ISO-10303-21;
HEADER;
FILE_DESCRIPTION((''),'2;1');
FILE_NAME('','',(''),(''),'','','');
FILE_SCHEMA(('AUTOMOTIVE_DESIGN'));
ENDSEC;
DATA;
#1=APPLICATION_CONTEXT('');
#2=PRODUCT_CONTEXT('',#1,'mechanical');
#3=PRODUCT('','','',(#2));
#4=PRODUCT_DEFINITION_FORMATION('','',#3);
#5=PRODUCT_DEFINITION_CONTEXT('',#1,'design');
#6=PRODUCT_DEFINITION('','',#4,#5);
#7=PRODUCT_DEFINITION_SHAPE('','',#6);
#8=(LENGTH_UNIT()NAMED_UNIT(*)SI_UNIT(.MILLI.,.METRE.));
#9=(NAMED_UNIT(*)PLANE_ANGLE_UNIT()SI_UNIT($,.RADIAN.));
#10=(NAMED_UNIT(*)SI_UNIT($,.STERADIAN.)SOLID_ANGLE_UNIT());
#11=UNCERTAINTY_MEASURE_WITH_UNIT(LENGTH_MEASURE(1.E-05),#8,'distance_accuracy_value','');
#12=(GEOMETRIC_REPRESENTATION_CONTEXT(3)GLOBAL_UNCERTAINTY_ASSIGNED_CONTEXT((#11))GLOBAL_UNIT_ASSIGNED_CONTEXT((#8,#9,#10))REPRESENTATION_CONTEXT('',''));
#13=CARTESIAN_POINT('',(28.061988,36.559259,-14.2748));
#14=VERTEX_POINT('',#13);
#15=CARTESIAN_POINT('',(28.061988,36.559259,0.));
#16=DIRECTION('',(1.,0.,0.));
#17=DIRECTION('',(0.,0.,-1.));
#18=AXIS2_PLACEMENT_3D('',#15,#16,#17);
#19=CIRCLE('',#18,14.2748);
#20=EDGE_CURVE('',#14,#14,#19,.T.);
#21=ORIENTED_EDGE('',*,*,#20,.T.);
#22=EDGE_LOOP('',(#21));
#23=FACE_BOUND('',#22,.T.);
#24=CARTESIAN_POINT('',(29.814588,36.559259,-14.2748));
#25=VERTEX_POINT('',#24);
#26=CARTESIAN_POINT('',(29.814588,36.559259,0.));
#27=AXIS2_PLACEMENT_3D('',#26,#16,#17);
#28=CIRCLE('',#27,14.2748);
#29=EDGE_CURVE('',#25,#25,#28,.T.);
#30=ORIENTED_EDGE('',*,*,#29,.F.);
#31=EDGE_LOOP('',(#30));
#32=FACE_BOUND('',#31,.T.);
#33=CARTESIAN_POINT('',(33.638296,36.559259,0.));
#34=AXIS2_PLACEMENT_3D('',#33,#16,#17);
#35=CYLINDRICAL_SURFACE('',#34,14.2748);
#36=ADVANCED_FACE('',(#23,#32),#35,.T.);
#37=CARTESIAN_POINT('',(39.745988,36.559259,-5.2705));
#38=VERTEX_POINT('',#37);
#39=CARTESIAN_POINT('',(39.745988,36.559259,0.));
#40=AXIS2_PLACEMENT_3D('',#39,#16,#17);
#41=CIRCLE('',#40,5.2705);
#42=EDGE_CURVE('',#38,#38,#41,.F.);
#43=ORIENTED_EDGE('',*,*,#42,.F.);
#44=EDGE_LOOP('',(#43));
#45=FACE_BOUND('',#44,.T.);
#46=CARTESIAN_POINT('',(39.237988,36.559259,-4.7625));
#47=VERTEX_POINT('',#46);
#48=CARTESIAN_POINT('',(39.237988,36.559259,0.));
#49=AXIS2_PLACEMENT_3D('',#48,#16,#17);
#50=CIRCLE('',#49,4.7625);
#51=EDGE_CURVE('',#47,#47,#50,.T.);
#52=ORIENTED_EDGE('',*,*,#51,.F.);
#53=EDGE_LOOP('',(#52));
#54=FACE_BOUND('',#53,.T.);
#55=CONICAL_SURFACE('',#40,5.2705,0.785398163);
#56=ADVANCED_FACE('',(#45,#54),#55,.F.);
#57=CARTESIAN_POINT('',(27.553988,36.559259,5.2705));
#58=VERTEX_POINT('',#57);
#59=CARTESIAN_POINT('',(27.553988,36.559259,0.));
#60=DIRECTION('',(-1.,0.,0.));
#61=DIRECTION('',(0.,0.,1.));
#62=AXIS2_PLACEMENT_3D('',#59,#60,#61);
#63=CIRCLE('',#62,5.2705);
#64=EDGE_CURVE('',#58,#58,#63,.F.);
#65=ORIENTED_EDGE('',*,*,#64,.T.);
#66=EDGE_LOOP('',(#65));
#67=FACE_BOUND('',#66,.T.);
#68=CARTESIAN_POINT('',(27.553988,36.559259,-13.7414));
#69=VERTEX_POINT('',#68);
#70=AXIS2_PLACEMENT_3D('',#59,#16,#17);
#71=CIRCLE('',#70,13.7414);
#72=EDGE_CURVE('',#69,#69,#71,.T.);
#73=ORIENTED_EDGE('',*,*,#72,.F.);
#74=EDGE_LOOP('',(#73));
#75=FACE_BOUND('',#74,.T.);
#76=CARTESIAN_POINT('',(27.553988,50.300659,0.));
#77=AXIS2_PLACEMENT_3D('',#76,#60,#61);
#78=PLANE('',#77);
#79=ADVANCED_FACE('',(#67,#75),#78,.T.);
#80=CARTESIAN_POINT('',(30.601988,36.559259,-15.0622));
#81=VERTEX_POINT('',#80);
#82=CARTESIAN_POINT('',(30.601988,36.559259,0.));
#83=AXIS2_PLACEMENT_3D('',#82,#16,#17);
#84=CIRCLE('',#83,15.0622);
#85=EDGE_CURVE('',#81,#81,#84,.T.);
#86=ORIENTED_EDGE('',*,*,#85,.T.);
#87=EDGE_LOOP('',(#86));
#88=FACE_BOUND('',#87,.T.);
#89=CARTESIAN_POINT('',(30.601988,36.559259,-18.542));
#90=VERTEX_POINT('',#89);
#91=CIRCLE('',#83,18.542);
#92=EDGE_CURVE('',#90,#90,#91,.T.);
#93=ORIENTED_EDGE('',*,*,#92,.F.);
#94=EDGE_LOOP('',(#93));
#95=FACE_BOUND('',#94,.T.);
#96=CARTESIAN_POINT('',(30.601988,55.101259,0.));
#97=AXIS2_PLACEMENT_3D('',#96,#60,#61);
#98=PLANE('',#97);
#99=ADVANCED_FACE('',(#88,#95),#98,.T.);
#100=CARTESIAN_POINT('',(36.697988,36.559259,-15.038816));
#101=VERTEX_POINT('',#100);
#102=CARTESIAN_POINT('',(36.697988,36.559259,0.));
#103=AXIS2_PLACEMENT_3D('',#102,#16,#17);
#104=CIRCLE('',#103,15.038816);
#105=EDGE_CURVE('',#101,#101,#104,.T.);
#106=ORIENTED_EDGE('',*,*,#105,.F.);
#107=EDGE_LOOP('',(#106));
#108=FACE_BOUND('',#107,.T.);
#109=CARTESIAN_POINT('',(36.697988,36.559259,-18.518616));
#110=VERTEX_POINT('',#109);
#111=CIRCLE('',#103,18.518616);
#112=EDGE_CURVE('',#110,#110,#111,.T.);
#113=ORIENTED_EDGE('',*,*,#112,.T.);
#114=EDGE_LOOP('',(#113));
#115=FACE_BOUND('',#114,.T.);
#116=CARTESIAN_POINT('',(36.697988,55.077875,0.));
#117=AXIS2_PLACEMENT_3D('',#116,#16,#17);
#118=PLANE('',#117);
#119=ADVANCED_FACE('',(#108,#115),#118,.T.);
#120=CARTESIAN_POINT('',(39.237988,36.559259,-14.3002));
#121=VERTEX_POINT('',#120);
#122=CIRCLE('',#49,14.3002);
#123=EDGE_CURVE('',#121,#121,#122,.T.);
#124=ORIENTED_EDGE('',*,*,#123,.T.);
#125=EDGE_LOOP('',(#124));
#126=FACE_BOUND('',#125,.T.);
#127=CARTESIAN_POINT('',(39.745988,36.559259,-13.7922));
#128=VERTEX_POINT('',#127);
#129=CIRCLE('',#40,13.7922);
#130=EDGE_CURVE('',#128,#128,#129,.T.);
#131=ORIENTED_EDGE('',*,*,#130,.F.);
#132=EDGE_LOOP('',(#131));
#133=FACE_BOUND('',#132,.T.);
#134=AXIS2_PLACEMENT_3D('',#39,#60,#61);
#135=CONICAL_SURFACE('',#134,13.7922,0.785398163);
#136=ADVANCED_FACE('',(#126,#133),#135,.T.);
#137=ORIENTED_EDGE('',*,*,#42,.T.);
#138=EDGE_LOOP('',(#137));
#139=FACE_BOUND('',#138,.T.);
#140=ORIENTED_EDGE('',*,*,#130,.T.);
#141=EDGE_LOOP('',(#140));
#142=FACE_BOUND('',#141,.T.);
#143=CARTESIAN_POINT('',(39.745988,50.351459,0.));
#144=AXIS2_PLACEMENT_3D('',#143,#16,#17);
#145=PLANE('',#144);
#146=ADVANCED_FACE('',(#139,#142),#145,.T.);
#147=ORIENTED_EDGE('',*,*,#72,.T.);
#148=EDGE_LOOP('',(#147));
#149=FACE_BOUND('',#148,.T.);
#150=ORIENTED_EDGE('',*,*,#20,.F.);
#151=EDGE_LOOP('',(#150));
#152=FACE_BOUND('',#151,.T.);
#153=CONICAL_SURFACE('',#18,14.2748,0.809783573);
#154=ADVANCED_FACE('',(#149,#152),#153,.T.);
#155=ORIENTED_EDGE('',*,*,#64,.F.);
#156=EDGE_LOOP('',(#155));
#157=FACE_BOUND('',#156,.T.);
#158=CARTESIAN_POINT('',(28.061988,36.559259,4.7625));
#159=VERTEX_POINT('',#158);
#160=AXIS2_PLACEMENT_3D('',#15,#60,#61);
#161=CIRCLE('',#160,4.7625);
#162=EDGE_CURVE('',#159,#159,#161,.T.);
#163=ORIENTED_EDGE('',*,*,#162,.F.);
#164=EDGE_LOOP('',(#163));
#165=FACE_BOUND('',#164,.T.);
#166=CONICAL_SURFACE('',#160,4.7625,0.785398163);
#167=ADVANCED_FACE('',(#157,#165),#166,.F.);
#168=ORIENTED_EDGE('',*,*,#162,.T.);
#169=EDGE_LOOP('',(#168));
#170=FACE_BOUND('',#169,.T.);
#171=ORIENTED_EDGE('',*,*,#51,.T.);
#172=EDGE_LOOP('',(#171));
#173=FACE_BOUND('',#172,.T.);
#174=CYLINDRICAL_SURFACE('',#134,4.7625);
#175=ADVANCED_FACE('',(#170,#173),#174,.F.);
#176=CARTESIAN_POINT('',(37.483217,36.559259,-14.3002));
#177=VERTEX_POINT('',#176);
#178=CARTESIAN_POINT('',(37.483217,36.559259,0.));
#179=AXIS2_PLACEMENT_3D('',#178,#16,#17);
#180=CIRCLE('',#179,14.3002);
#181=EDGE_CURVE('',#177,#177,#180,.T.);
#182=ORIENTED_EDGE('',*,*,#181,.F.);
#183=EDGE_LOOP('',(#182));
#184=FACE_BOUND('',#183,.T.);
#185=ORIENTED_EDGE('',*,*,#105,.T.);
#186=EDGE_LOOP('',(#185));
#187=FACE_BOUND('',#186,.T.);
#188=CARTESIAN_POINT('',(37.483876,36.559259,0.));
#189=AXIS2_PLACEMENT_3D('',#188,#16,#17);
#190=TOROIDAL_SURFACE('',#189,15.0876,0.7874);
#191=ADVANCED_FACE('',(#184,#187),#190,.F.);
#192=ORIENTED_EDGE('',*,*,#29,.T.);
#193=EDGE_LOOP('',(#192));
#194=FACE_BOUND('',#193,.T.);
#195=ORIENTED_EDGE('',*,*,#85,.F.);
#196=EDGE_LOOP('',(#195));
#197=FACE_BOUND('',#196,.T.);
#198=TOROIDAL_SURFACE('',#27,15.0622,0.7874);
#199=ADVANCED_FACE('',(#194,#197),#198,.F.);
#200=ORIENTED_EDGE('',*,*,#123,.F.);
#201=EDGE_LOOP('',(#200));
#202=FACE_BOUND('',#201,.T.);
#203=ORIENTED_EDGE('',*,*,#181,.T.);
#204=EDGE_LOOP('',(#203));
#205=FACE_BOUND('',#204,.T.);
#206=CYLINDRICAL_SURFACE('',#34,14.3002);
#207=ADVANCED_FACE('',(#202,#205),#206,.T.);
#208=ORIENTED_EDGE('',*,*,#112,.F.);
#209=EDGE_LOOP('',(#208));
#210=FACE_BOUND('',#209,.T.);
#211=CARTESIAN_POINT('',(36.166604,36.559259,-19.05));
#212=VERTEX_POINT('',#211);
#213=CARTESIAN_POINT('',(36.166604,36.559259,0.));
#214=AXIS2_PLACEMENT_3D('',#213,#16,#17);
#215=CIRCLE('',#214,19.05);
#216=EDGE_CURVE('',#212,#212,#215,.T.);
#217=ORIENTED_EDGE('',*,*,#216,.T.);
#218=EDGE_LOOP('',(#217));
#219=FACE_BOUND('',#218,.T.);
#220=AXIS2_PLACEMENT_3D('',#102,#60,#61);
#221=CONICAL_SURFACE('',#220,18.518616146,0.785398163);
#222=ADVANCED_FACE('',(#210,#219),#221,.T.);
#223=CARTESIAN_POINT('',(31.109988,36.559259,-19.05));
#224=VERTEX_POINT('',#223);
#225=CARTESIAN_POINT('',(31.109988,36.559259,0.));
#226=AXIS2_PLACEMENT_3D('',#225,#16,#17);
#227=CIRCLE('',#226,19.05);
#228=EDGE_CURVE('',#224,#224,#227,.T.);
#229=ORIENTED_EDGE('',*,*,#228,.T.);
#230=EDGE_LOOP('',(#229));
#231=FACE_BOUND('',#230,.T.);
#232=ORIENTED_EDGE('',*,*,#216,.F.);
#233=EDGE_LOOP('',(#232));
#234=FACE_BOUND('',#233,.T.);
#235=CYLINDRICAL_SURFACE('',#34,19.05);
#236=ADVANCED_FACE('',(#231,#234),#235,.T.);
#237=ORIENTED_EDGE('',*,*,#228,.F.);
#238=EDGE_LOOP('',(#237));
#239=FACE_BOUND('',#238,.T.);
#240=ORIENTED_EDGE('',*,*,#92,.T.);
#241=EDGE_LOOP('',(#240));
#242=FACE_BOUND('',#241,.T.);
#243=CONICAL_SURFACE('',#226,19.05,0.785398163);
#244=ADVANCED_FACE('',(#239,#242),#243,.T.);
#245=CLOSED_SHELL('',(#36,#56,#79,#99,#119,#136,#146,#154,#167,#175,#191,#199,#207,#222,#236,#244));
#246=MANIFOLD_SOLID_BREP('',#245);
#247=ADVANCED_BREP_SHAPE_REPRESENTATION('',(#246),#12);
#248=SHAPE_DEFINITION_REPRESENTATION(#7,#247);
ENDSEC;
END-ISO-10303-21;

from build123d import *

# Parameters (mm, degrees)
SKETCH3_R          = 4.7625
CUT_EXTRUDE1_DEPTH = 13.192
CHAMFER1_SIZE      = 0.508


with BuildPart() as part:
    # Sketch2 → Revolve1 (revolve)
    with BuildSketch(Plane.XY):
        with BuildLine():
            Line((27.553988289, 50.300658572), (27.553988289, 36.559258572))
            Line((27.553988289, 36.559258572), (33.638296362, 36.559258572))
            Line((33.638296362, 36.559258572), (39.745988289, 36.571958572))
            Line((39.745988289, 36.571958572), (39.745988289, 50.351458572))
            Line((39.745988289, 50.351458572), (39.237988289, 50.859458572))
            Line((39.237988289, 50.859458572), (37.483216953, 50.859458572))
            ThreePointArc((37.483216953, 50.859458572), (36.944383174, 51.073319594), (36.697988289, 51.598074717))
            Line((36.697988289, 51.598074717), (36.697988289, 55.077874717))
            Line((36.697988289, 55.077874717), (36.166604435, 55.609258572))
            Line((36.166604435, 55.609258572), (31.109988289, 55.609258572))
            Line((31.109988289, 55.609258572), (30.601988289, 55.101258572))
            Line((30.601988289, 55.101258572), (30.601988289, 51.621458572))
            ThreePointArc((30.601988289, 51.621458572), (30.371364168, 51.064682692), (29.814588289, 50.834058572))
            Line((29.814588289, 50.834058572), (28.061988289, 50.834058572))
            Line((28.061988289, 50.834058572), (27.553988289, 50.300658572))
        make_face()
    revolve(axis=Axis((33.638296362, 36.559258572, 0), (-1, 0, 0)))

    # Sketch3 → Cut-Extrude1 (cut, through all)
    with BuildSketch(Plane.ZY.offset(-27.553988289)):
        with Locations((0, 36.559258572)):
            Circle(SKETCH3_R)
    extrude(amount=-CUT_EXTRUDE1_DEPTH, mode=Mode.SUBTRACT)

    # Chamfer1
    chamfer1_edges = [part.edges().sort_by_distance(p)[0] for p in [
        (39.745988289, 36.559258572, -4.7625),
        (27.553988289, 36.559258572, -4.7625),
    ]]
    chamfer(chamfer1_edges, length=CHAMFER1_SIZE)


solid = part.part
